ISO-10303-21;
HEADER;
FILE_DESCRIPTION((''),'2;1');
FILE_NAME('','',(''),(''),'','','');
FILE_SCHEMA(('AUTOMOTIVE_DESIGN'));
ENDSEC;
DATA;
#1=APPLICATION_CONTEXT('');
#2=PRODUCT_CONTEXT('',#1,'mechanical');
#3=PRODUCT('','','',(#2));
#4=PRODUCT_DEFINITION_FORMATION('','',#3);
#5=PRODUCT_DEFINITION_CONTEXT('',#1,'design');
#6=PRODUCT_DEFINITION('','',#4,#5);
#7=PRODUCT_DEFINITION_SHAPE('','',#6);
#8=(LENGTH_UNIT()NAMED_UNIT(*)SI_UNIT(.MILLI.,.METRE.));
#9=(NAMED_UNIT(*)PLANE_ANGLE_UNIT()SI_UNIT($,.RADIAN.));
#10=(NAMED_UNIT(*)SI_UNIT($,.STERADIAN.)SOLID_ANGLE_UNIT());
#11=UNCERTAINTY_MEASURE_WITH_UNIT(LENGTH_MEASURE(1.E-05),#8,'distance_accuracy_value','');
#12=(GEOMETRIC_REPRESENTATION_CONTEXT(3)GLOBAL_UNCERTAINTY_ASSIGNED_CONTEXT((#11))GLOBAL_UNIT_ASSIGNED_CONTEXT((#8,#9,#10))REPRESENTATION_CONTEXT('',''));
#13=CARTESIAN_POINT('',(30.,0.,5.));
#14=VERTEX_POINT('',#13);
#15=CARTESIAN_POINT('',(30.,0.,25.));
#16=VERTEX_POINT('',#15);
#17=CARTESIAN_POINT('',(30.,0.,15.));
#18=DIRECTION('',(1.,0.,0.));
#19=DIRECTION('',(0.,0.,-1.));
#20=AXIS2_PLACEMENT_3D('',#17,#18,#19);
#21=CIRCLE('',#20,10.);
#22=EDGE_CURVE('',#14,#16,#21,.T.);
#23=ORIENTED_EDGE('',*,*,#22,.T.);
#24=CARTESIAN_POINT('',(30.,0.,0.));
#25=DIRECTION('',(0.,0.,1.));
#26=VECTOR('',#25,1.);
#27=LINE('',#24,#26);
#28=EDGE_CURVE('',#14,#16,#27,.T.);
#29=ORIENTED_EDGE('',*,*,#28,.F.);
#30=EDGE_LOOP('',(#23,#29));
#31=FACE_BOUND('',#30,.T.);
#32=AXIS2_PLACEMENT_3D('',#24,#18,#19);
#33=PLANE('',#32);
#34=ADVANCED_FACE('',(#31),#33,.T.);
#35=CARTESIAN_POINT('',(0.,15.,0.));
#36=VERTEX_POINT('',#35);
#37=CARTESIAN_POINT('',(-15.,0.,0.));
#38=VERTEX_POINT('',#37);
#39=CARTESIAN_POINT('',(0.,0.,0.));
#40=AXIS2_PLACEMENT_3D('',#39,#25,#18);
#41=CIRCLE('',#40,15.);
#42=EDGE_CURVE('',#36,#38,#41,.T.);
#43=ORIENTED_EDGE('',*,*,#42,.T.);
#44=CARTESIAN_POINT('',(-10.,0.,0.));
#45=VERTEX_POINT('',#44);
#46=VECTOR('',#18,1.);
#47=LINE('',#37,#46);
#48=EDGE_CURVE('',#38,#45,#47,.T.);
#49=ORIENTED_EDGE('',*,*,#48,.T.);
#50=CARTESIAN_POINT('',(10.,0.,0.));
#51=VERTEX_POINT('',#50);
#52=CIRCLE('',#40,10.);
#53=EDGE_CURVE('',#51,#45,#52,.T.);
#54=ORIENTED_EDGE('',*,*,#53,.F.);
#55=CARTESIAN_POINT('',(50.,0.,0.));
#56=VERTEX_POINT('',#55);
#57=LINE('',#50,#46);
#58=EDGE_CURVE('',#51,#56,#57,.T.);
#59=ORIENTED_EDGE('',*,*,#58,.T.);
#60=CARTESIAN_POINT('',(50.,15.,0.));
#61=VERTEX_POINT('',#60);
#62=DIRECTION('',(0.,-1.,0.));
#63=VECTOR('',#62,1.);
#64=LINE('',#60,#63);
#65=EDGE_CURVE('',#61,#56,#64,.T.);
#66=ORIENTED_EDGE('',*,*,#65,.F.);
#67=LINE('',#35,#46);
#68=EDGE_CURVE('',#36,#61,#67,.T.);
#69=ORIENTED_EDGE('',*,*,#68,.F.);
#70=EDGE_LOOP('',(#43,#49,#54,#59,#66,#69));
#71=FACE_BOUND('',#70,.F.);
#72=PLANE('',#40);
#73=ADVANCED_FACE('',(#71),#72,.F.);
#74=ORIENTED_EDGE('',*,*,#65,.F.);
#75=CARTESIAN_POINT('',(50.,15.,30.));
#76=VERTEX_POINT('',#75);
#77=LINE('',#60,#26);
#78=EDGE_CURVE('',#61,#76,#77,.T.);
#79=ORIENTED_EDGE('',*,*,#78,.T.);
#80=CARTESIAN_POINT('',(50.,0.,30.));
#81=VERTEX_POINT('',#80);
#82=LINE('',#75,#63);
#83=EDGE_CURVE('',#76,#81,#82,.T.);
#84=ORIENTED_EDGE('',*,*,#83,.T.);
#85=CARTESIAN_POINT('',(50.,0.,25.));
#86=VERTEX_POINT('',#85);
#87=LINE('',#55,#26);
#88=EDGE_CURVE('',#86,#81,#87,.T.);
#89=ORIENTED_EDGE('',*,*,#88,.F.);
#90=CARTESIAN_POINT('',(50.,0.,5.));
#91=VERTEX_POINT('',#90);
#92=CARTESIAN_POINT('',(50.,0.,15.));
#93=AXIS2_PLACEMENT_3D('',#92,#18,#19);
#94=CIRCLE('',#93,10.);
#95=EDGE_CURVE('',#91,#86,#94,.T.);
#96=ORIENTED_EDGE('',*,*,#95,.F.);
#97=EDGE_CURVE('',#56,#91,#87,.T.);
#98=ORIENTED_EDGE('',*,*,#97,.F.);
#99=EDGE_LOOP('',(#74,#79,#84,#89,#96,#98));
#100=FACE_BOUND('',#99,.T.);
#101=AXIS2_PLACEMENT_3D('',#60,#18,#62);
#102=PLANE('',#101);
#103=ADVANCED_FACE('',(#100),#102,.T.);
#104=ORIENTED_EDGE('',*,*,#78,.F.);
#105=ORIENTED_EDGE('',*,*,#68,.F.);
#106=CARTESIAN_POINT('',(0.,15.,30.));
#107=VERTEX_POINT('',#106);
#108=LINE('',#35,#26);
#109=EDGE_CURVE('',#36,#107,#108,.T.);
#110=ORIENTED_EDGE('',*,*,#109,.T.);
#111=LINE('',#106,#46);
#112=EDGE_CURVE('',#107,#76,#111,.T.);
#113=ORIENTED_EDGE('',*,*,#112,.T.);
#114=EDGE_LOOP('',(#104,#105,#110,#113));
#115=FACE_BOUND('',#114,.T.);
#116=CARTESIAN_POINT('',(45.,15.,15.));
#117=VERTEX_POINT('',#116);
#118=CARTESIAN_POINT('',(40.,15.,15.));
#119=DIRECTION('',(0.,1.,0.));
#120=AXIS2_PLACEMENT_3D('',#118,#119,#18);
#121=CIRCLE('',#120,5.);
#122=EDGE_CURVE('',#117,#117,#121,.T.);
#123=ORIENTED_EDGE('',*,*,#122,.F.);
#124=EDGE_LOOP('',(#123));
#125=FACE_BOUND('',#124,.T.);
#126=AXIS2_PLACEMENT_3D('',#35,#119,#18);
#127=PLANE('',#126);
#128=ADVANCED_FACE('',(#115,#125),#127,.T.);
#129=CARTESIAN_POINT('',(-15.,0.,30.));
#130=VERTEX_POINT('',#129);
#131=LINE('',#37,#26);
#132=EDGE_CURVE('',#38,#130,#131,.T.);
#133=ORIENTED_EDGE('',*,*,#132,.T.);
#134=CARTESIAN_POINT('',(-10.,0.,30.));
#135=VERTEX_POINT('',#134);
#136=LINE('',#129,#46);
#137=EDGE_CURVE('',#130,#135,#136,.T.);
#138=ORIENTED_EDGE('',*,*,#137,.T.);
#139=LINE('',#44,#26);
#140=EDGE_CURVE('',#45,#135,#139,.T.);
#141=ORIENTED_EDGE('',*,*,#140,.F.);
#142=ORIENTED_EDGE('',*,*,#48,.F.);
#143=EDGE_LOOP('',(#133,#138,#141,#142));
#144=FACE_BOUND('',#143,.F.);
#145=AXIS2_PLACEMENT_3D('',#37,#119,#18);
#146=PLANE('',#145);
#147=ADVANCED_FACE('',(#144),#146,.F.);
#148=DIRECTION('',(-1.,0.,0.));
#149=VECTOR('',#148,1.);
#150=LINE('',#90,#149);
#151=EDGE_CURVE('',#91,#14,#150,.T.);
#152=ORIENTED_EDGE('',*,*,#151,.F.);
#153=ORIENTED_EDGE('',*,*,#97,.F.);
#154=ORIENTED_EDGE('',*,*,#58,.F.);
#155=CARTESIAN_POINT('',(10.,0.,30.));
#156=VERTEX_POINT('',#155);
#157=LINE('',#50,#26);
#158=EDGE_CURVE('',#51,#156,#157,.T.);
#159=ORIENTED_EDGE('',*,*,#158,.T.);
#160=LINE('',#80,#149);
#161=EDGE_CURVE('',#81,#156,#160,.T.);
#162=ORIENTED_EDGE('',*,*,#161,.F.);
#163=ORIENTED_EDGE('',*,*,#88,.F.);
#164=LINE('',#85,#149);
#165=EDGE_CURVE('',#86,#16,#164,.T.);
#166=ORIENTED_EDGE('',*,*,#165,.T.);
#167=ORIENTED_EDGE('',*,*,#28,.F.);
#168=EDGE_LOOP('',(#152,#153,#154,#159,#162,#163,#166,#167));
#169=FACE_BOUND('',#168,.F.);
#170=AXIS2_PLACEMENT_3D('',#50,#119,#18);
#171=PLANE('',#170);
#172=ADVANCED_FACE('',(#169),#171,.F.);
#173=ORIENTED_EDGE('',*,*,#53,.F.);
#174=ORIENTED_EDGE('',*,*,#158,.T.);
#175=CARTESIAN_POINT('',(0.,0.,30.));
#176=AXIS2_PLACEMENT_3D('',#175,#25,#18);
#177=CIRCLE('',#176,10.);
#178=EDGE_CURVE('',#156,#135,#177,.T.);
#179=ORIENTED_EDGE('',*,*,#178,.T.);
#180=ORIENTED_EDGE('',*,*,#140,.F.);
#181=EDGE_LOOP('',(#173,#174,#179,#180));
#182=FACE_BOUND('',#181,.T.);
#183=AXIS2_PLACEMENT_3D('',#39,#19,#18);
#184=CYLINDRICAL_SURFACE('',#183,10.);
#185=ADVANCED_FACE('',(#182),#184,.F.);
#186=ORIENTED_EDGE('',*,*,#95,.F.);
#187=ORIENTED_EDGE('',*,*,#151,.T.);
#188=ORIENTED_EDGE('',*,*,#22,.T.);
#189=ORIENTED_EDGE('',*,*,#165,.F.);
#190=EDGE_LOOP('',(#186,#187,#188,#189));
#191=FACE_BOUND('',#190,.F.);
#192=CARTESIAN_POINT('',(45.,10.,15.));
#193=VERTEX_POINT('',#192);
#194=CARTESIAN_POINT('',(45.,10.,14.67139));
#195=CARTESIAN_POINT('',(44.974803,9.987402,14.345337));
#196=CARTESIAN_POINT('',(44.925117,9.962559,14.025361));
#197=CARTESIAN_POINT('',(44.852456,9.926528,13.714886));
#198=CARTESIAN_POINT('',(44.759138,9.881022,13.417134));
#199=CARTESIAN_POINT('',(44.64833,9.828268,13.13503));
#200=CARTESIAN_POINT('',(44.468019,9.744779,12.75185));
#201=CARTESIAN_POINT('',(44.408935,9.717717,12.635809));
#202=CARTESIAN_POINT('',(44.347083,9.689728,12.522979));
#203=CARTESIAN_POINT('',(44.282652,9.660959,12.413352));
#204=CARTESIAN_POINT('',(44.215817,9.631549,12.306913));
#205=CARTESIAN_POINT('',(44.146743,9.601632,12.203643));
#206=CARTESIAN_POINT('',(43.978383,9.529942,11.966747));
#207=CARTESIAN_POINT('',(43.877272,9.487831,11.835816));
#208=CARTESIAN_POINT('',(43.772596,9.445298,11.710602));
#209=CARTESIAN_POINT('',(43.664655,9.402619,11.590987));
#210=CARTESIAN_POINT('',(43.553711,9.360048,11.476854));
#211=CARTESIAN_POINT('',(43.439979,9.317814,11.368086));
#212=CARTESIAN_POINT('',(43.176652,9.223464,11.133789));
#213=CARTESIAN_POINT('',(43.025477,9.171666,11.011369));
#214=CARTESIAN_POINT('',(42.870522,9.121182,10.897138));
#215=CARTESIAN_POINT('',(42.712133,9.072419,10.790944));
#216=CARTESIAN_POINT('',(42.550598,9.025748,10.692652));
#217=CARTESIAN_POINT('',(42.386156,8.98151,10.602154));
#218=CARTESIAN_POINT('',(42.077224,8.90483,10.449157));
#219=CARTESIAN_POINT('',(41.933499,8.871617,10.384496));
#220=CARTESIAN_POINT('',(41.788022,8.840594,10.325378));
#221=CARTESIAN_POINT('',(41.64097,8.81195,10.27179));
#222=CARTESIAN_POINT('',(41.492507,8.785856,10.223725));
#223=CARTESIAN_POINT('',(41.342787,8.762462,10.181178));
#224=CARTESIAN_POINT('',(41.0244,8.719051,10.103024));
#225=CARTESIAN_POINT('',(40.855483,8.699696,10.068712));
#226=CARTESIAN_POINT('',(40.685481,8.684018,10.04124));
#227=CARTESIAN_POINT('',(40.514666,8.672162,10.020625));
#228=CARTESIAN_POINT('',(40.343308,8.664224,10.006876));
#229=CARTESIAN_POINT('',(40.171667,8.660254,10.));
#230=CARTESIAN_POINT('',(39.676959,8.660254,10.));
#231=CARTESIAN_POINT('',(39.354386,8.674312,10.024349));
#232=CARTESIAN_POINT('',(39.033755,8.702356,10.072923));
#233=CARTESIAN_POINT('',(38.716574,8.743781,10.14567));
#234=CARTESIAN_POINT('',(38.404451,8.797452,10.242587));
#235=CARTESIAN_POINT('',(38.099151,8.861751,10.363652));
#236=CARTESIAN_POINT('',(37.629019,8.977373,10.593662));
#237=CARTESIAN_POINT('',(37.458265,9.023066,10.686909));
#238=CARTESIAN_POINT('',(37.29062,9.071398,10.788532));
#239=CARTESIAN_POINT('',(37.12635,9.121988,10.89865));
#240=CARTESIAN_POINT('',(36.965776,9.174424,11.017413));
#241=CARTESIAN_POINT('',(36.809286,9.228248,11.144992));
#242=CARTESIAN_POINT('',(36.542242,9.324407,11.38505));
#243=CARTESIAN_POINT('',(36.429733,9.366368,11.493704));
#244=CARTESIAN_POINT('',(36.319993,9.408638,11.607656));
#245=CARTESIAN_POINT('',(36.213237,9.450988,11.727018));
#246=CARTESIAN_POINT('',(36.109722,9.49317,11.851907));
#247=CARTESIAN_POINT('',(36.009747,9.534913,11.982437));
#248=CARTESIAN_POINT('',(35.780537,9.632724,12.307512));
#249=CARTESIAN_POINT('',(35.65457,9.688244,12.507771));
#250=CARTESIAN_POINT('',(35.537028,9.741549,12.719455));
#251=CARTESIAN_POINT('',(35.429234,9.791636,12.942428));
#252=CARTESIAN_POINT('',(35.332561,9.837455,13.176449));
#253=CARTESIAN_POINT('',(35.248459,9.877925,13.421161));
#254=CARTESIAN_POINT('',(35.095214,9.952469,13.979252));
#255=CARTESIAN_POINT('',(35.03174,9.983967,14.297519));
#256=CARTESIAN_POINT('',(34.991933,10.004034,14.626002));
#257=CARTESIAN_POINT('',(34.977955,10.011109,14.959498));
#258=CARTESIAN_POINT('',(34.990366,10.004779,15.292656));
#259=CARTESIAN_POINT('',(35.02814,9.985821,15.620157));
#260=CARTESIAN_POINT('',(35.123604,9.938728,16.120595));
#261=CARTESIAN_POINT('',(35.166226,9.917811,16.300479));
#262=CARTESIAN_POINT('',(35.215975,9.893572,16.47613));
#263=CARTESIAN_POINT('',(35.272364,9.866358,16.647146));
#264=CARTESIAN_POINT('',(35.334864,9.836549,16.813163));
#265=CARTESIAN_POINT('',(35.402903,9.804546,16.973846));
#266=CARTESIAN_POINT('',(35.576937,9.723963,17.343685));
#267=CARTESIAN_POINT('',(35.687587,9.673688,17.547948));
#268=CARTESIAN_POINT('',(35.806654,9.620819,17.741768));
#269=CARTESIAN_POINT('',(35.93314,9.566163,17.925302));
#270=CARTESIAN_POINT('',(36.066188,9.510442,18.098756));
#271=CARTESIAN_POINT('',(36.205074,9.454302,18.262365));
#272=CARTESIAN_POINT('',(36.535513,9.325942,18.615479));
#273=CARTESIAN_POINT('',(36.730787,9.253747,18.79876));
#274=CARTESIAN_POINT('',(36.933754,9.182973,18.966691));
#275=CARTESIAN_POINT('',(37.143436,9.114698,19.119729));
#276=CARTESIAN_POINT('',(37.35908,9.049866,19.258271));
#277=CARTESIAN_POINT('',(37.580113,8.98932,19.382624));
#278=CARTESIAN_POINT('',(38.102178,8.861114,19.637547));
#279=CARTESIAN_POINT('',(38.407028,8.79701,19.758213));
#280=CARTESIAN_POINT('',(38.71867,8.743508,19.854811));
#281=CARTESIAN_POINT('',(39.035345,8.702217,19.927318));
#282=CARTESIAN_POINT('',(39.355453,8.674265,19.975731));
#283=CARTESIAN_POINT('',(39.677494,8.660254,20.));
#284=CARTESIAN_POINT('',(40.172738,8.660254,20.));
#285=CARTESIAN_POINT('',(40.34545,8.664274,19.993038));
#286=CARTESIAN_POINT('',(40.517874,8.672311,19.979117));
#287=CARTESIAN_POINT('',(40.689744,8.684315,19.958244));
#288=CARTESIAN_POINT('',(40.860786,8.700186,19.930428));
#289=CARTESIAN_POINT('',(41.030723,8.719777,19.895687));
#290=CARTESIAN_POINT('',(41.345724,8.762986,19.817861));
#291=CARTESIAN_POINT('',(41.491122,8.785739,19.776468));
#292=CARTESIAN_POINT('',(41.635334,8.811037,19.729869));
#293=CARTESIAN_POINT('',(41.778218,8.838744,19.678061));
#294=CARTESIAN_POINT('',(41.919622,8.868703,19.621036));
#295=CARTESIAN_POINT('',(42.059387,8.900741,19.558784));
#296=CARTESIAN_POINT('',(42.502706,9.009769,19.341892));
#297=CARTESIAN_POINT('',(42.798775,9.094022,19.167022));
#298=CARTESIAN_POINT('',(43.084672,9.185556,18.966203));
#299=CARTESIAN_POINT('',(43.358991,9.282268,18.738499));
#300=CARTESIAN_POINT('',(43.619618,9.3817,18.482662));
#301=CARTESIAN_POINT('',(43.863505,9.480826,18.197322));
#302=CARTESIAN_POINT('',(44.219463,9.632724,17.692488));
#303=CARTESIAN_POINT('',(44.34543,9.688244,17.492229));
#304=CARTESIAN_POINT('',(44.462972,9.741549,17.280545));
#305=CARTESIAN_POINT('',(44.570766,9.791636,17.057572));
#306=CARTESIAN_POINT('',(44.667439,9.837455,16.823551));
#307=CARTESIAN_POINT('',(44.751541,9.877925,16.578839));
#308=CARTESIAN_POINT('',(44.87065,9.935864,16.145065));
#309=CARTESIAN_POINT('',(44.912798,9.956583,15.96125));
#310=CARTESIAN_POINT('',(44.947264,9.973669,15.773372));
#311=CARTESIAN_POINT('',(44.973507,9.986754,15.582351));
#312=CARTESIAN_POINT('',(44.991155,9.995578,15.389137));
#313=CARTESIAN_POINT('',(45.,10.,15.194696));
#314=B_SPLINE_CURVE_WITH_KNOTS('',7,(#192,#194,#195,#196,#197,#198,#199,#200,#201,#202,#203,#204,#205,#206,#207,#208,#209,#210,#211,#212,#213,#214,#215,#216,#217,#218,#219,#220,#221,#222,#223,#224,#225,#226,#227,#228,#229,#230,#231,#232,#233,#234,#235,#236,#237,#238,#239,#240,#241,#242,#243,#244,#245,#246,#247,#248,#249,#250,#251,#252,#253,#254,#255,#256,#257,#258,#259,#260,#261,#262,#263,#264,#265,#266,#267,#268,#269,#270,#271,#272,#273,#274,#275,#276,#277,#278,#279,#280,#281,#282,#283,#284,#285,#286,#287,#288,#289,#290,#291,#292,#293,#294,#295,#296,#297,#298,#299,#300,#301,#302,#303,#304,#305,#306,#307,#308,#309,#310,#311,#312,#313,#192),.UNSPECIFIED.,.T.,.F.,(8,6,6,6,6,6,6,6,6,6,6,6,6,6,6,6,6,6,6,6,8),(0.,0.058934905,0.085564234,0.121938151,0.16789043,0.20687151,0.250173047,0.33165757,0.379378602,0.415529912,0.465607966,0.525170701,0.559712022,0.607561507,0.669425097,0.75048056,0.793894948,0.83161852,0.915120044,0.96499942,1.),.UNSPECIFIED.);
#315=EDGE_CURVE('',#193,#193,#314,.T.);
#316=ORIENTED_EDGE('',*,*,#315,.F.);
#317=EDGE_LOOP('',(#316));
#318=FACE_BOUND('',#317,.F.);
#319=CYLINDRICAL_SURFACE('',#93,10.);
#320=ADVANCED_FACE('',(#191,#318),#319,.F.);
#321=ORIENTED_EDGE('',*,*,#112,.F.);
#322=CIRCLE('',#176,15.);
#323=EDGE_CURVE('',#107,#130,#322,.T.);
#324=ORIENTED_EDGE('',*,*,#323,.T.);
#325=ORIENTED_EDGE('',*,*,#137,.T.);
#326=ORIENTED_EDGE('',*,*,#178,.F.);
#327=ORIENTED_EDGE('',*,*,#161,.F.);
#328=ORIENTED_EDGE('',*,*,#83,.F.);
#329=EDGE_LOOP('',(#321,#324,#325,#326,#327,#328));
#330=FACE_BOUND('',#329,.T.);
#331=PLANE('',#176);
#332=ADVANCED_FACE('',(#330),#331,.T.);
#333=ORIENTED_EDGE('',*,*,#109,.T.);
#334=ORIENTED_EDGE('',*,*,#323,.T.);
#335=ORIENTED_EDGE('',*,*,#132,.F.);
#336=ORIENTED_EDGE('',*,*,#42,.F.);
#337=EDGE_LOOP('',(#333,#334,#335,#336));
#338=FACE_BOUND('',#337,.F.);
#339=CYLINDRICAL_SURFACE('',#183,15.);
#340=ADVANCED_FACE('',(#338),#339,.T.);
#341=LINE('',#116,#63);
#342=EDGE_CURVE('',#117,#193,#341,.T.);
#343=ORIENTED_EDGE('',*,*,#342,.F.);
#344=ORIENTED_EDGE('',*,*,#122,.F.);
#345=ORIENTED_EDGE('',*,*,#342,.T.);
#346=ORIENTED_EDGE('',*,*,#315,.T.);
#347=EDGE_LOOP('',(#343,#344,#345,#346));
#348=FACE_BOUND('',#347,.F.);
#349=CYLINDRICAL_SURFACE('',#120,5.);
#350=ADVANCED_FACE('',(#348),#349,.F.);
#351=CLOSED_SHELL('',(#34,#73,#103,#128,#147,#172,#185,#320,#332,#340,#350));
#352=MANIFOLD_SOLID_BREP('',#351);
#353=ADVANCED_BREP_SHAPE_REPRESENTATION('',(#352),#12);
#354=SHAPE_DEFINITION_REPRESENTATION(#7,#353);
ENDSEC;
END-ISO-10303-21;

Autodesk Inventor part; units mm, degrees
ref_plane "YZ Plane" through (0, 0, 0) normal (1, 0, 0) x (0, 1, 0)
ref_plane "XZ Plane" through (0, 0, 0) normal (0, 1, 0) x (-1, 0, 0)
ref_plane "XY Plane" through (0, 0, 0) normal (0, 0, 1) x (1, 0, 0)
sketch "Sketch1" plane through (0, 0, 0) normal (0, 0, 1) x (1, 0, 0)
  circle A0 centre (0, 0) radius 10
  circle A1 centre (0, 0) radius 15
  line L0 (0, 15) -> (50, 15)
  line L1 (50, 15) -> (50, -15)
  line L2 (0, -15) -> (50, -15)
  line L3 (-15, 0) -> (50, 0)
  point P0 (-10, 0)
  point P1 (10, 0)
  dimension "d0" = 20
  dimension "d1" = 30
  dimension "d2" = 50
extrude "Extrusion1" add sketch "Sketch1" along normal blind 30 contours A0 L3 A1 | A1 L0 L1 L3 picked at (13.208, 1.1126)
sketch "Sketch2" plane through (50, 0, 0) normal (1, 0, 0) x (0, 0, -1)
  line L0 (0, 0) -> (-30, 0) projected
  circle A0 centre (-15, 0) radius 10
  point P0 (-25, 0)
  point P1 (-5, 0)
  dimension "d5" = 20
extrude "Extrusion2" cut sketch "Sketch2" against normal blind 20 contours L0 A0 picked at (-12.505, 2.2104)
sketch "Sketch3" plane through (0, 15, 0) normal (0, 1, 0) x (1, 0, 0)
  line L0 (50, 0) -> (0, 0) projected
  line L1 (0, 0) -> (0, -30) projected
  line L2 (50, -30) -> (0, -30) projected
  line L3 (50, 0) -> (50, -30) projected
  line L4 (50, -5) -> (50, -25) construction
  circle A0 centre (40, -15) radius 5
  line L5 (30, -5) -> (30, -25) projected
  line L6 (40, -15) -> (30, -15) construction
  dimension "d8" = 10
  dimension "d12" = 10
extrude "Extrusion3" cut sketch "Sketch3" against normal blind 10 contours A0
properties part number "AbrazaderaBarraAscenso2"
